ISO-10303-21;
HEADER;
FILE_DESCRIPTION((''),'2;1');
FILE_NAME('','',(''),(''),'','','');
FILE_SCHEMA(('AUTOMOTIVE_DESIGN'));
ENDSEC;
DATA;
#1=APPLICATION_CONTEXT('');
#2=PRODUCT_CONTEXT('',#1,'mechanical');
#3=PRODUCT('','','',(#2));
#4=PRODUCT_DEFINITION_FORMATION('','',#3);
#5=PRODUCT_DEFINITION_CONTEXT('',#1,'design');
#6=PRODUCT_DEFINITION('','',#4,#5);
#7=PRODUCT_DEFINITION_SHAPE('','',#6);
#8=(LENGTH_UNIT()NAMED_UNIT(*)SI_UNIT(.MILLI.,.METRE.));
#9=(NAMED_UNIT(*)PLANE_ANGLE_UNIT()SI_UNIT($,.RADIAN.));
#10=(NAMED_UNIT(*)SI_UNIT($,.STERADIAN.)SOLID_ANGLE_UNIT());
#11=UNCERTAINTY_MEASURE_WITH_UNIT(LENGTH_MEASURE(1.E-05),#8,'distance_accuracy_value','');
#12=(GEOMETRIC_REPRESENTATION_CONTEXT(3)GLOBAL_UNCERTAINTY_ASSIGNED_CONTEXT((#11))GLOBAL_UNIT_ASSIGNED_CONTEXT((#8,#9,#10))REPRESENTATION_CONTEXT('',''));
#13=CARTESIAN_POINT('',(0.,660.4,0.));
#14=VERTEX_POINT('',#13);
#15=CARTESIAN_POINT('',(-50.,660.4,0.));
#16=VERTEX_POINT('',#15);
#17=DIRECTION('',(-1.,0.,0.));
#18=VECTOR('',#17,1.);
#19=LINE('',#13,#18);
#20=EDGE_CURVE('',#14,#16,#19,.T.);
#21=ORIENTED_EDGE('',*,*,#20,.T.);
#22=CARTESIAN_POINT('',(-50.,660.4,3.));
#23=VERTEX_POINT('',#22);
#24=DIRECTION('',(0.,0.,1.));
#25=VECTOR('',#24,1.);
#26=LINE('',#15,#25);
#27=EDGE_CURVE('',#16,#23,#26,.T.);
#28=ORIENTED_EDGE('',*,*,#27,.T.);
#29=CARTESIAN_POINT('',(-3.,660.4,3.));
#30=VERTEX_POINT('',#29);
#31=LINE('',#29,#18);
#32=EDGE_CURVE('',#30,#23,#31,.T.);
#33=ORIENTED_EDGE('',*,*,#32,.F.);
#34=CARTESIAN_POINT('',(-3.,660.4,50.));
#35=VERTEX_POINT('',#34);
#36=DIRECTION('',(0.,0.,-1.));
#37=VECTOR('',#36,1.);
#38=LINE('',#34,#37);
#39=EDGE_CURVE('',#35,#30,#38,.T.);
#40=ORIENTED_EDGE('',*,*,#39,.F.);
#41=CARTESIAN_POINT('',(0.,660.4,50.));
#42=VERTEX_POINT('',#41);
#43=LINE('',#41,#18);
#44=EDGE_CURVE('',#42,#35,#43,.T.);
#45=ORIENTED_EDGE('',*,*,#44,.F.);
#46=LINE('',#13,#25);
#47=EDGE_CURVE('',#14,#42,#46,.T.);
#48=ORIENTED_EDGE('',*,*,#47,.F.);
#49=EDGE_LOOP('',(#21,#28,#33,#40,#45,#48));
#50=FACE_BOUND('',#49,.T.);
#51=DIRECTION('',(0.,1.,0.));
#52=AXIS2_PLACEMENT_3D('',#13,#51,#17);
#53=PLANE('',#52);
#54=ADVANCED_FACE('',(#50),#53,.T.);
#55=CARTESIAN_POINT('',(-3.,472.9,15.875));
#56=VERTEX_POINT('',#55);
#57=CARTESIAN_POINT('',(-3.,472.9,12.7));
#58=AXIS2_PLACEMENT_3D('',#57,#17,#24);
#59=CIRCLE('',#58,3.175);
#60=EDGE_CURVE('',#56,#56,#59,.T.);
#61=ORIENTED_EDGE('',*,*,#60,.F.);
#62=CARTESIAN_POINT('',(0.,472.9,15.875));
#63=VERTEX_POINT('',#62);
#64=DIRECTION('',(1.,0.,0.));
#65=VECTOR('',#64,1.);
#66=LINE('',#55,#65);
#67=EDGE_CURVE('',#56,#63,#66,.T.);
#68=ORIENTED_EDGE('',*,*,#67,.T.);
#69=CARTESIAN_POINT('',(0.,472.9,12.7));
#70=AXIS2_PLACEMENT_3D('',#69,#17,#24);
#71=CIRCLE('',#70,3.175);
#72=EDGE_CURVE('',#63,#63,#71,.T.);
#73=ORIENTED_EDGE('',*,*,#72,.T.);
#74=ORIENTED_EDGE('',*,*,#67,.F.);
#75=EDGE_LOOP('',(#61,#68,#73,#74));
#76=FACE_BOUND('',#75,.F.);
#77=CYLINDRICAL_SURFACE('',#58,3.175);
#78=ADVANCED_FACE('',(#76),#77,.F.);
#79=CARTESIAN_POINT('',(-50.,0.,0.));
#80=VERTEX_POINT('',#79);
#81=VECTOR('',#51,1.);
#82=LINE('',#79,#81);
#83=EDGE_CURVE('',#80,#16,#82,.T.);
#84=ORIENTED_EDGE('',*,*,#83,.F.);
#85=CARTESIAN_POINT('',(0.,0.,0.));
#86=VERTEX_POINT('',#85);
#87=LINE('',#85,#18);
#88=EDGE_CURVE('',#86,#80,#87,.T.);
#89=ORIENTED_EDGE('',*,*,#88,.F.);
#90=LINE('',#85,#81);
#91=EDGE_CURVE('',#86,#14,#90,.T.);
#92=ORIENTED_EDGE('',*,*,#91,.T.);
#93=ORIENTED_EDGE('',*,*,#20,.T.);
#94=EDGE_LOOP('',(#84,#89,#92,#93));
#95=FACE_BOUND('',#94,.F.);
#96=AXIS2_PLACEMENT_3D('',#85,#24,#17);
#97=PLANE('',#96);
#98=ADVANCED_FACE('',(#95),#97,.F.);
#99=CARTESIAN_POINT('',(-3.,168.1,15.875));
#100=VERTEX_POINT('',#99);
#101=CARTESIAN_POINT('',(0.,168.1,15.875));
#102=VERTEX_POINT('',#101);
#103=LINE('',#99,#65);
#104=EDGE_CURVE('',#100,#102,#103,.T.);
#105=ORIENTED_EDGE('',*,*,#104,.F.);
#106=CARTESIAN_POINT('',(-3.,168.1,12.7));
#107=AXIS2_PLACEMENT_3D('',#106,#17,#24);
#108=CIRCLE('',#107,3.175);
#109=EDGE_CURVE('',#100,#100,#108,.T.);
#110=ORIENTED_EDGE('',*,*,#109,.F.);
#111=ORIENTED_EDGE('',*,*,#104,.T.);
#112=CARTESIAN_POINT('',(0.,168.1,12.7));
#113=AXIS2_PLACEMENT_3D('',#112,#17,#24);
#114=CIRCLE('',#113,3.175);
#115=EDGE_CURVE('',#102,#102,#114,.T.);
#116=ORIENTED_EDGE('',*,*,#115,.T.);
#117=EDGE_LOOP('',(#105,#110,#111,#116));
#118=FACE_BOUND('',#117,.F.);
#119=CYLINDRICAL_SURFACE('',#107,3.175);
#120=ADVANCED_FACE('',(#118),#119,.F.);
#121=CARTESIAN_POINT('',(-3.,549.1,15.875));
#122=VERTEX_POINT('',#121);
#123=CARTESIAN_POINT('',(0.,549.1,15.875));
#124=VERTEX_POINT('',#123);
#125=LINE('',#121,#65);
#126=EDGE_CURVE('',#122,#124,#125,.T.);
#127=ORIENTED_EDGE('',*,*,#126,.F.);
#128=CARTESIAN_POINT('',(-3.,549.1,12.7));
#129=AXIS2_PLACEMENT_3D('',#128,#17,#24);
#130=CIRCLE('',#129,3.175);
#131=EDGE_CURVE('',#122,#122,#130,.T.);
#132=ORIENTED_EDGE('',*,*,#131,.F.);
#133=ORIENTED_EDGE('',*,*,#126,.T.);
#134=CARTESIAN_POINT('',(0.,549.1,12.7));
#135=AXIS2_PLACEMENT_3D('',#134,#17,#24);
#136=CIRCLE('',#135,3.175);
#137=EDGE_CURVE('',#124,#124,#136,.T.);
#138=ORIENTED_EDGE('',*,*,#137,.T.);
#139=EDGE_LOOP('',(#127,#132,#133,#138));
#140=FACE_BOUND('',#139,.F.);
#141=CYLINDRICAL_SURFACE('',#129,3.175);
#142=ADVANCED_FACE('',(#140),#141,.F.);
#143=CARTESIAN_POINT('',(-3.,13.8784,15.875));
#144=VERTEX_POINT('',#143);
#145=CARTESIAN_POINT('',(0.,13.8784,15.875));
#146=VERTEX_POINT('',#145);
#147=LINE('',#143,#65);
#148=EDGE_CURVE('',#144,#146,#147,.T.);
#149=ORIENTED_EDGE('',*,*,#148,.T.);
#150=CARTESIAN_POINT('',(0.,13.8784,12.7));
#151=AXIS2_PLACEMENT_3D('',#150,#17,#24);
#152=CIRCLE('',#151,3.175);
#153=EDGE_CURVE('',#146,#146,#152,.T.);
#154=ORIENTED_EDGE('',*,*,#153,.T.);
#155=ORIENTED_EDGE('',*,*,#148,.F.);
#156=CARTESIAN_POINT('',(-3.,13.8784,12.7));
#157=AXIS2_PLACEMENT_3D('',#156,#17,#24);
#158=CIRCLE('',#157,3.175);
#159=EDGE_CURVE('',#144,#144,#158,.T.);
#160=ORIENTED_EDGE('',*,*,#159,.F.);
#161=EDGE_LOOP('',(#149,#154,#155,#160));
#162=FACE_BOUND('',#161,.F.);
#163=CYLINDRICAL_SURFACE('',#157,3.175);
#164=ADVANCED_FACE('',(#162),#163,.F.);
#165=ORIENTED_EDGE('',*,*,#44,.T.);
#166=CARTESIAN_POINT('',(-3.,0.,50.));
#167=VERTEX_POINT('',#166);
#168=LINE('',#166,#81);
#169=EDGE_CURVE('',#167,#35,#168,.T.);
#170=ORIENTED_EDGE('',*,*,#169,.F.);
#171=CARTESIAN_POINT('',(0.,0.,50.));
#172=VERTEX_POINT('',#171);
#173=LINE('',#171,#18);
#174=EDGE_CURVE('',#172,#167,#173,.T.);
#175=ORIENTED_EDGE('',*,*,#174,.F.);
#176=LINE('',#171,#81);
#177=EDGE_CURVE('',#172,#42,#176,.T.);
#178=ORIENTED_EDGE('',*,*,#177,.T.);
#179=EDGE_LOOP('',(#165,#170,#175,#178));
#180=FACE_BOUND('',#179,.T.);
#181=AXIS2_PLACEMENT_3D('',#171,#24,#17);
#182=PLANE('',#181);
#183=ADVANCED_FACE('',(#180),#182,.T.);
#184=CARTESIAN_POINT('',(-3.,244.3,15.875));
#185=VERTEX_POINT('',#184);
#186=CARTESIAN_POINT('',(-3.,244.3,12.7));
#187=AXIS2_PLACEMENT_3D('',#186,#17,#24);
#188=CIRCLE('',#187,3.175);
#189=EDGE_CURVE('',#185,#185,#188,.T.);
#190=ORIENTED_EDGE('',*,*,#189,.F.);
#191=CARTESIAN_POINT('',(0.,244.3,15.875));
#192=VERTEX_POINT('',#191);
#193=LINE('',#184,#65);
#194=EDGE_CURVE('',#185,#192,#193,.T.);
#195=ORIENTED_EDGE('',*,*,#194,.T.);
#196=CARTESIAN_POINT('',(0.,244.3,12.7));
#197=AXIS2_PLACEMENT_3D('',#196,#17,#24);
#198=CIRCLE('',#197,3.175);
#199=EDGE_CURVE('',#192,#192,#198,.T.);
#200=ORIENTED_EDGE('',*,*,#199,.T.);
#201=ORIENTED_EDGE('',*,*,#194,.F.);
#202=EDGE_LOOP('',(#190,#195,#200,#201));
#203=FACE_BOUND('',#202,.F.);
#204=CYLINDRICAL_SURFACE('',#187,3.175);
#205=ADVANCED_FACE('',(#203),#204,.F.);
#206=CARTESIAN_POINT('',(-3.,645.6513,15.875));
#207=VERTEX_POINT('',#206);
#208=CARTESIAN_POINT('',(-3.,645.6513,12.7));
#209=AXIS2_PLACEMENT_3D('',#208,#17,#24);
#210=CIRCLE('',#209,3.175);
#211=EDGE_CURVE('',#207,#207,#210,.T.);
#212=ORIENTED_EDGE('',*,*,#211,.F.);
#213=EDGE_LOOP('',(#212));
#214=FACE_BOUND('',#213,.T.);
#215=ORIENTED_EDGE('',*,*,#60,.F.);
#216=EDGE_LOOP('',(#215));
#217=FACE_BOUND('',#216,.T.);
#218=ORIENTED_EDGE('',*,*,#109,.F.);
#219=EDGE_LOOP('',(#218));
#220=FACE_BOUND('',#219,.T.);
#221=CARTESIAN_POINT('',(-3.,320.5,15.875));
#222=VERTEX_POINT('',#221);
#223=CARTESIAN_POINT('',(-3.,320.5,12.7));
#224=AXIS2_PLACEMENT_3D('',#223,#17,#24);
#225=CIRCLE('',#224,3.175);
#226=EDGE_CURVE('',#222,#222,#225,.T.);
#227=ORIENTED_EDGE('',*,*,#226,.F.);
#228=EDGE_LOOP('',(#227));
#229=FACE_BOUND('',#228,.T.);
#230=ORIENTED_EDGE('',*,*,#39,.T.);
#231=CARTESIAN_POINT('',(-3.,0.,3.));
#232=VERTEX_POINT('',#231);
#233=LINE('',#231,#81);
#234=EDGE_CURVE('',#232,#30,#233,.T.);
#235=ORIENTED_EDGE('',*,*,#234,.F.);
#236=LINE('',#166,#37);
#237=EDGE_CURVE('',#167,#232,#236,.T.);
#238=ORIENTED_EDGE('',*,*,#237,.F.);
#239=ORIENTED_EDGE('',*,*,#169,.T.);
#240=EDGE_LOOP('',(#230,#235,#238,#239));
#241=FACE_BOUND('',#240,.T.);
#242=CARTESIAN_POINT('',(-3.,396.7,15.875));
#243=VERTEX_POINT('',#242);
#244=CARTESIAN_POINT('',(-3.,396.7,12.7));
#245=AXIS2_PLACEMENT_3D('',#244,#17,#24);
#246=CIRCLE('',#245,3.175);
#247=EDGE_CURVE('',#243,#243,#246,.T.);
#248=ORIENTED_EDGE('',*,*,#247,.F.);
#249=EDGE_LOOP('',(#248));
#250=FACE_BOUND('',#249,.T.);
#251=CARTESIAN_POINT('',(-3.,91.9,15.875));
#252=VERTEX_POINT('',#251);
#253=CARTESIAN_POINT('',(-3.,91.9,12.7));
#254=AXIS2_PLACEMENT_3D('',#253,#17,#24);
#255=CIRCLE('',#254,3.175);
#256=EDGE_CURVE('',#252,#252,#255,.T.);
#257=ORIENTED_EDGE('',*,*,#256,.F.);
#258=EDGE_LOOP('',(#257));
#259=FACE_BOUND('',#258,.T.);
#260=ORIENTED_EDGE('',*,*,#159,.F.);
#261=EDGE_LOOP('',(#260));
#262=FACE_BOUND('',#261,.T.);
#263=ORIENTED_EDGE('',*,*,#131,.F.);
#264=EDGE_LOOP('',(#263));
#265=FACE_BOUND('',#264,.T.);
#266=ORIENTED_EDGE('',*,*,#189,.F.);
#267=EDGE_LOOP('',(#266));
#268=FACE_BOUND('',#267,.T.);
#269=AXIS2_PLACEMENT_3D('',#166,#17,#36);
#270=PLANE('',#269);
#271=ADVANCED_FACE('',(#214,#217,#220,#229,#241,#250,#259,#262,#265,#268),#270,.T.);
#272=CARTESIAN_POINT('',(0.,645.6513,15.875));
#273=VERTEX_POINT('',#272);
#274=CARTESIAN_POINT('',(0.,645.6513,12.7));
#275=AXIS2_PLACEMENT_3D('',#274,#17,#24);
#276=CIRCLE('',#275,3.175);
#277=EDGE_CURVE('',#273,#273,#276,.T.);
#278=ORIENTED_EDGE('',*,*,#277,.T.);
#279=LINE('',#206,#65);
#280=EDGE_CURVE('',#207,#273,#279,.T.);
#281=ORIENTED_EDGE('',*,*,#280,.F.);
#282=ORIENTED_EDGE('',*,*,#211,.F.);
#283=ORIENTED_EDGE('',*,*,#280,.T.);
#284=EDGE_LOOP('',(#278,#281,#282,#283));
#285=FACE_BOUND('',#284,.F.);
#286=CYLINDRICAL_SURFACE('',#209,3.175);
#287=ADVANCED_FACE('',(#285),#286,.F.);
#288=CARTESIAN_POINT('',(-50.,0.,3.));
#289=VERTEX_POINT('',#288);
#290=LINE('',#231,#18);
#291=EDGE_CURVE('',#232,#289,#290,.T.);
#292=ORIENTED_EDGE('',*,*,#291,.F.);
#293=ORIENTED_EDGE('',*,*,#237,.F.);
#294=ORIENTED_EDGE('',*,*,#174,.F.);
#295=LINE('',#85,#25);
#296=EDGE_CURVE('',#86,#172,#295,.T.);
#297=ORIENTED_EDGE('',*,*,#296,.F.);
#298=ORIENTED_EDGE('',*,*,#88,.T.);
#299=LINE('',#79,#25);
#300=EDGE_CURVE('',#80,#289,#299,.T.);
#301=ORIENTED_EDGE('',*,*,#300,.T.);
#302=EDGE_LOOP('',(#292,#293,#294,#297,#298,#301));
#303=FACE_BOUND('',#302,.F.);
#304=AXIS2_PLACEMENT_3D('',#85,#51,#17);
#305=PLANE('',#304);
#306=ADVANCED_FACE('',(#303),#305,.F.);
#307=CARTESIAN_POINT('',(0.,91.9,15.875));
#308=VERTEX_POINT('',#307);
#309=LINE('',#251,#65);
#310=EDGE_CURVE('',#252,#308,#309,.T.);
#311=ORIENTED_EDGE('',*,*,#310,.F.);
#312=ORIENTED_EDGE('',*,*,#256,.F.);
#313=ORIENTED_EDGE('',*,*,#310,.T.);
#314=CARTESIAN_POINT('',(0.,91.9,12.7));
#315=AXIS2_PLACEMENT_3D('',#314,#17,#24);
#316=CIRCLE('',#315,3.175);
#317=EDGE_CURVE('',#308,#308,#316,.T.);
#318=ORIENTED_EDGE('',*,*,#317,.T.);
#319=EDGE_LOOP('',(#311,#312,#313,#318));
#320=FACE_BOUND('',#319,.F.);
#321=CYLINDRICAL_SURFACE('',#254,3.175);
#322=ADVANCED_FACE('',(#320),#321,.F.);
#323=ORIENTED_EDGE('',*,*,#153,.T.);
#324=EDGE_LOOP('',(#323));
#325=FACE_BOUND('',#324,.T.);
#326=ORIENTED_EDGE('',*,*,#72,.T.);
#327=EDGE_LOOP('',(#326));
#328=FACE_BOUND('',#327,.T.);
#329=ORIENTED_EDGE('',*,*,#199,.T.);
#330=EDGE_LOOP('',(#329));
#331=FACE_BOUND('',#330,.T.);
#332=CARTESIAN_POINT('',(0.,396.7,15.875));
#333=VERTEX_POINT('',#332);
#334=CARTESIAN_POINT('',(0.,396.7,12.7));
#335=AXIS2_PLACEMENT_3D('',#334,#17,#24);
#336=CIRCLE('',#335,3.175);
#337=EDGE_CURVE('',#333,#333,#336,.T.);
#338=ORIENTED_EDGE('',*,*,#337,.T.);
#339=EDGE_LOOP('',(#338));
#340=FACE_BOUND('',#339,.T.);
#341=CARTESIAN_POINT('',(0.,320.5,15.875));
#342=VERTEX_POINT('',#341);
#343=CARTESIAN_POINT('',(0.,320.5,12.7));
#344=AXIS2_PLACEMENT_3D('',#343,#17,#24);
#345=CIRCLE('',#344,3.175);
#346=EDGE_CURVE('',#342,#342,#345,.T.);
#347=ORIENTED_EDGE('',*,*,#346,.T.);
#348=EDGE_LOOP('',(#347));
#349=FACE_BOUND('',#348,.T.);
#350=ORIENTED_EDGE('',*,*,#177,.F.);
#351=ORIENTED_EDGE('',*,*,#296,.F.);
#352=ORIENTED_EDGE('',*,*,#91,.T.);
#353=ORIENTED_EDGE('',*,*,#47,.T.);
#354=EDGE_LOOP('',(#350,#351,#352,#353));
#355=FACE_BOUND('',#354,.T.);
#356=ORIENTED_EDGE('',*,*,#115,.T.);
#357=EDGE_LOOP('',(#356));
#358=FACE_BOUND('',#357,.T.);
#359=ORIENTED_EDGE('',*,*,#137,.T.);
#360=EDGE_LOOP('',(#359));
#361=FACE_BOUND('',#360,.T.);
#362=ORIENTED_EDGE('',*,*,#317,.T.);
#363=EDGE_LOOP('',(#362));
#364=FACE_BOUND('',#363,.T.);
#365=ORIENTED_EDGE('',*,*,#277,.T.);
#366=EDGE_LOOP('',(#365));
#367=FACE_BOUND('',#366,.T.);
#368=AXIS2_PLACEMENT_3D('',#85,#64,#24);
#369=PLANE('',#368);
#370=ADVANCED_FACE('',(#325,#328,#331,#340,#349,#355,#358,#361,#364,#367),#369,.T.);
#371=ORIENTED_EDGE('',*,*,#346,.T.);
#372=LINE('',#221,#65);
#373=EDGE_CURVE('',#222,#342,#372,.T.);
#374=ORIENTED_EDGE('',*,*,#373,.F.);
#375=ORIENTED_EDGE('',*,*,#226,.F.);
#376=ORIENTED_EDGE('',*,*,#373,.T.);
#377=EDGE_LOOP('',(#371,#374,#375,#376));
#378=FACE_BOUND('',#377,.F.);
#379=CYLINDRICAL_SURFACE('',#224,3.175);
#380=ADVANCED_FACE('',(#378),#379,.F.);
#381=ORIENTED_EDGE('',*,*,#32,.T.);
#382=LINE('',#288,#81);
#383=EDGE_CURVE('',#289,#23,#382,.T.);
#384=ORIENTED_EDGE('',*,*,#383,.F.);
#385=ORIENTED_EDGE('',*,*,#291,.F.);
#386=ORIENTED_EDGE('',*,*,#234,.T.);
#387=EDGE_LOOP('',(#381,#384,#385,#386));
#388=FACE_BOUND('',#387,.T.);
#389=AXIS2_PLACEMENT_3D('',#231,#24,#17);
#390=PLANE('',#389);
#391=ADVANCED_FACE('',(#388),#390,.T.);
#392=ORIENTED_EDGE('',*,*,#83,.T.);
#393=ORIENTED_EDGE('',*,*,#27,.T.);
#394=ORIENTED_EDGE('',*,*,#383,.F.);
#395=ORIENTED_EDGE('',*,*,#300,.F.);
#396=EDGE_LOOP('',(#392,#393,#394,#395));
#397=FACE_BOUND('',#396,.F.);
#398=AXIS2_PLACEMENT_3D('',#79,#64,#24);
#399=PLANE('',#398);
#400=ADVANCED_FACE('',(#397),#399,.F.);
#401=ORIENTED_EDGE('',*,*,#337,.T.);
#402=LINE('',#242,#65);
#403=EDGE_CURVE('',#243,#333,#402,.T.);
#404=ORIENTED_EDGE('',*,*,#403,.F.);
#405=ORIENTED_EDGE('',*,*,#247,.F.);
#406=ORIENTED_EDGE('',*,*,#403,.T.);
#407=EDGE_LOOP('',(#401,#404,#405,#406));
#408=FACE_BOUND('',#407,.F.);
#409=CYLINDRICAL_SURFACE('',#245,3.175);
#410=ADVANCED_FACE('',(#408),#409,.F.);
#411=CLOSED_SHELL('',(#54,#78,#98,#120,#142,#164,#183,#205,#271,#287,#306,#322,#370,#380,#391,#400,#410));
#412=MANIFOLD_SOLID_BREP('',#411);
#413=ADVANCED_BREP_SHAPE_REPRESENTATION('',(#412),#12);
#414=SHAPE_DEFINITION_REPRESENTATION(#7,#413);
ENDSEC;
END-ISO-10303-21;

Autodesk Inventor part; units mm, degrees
ref_plane "YZ Plane" through (0, 0, 0) normal (1, 0, 0) x (0, 1, 0)
ref_plane "XZ Plane" through (0, 0, 0) normal (0, 1, 0) x (-1, 0, 0)
ref_plane "XY Plane" through (0, 0, 0) normal (0, 0, 1) x (1, 0, 0)
sketch "Sketch1" plane through (0, 0, 0) normal (0, 1, 0) x (-1, 0, 0)
  line L0 (0, 0) -> (50, 0)
  line L1 (50, 0) -> (50, 3)
  line L2 (0, 0) -> (0, 50)
  line L3 (0, 50) -> (3, 50)
  line L4 (3, 50) -> (3, 3)
  line L5 (3, 3) -> (50, 3)
  dimension "d0" = 50
  dimension "d1" = 3
  dimension "d2" = 50
  dimension "d3" = 3
extrude "Extrusion1" add sketch "Sketch1" along normal blind 660.4
sketch "Sketch2" plane through (-3, 0, 3) normal (-1, 0, 0) x (0, 0, 1)
  line L0 (0, 0) -> (47, 0) projected
  line L1 (-3, 0) -> (-3, 660.4) projected
  line L2 (-3, 13.8784) -> (9.7, 13.8784) construction
  line L3 (9.7, 0) -> (9.7, 15.7) construction
  line L4 (9.7, 0) -> (25.4, 0) construction
  line L5 (9.7, 15.7) -> (9.7, 91.9) construction
  line L6 (9.7, 91.9) -> (9.7, 168.1) construction
  line L7 (9.7, 168.1) -> (9.7, 244.3) construction
  line L8 (9.7, 244.3) -> (9.7, 320.5) construction
  line L9 (9.7, 320.5) -> (9.7, 396.7) construction
  line L10 (9.7, 396.7) -> (9.7, 472.9) construction
  line L11 (9.7, 472.9) -> (9.7, 549.1) construction
  line L12 (0, 660.4) -> (47, 660.4) construction
  line L13 (9.7, 661.3513) -> (9.7, 645.6513) construction
  line L14 (9.7, 549.1) -> (9.7, 625.3) construction
  circle A0 centre (9.7, 645.6513) radius 3.175
  circle A1 centre (9.7, 549.1) radius 3.175
  circle A2 centre (9.7, 472.9) radius 3.175
  circle A3 centre (9.7, 396.7) radius 3.175
  circle A4 centre (9.7, 320.5) radius 3.175
  circle A5 centre (9.7, 244.3) radius 3.175
  circle A6 centre (9.7, 168.1) radius 3.175
  circle A7 centre (9.7, 91.9) radius 3.175
  circle A8 centre (9.7, 13.8784) radius 3.175
  dimension "d26" = 12.7
  dimension "d28" = 15.7
  dimension "d29" = 90
  dimension "d30" = 76.2
  dimension "d31" = 180
  dimension "d32" = 76.2
  dimension "d33" = 180
  dimension "d34" = 76.2
  dimension "d35" = 180
  dimension "d36" = 76.2
  dimension "d37" = 180
  dimension "d38" = 76.2
  dimension "d39" = 180
  dimension "d40" = 76.2
  dimension "d41" = 180
  dimension "d42" = 76.2
  dimension "d43" = 180
  dimension "d44" = 15.7
  dimension "d45" = 76.2
  dimension "d46" = 6.35
  dimension "d47" = 6.35
  dimension "d48" = 6.35
  dimension "d49" = 6.35
  dimension "d50" = 6.35
  dimension "d51" = 6.35
  dimension "d52" = 6.35
  dimension "d53" = 6.35
  dimension "d54" = 6.35
extrude "Extrusion2" cut sketch "Sketch2" against normal blind 25.4
properties part number "26in Angle Channel" material "Aluminum 6061"
